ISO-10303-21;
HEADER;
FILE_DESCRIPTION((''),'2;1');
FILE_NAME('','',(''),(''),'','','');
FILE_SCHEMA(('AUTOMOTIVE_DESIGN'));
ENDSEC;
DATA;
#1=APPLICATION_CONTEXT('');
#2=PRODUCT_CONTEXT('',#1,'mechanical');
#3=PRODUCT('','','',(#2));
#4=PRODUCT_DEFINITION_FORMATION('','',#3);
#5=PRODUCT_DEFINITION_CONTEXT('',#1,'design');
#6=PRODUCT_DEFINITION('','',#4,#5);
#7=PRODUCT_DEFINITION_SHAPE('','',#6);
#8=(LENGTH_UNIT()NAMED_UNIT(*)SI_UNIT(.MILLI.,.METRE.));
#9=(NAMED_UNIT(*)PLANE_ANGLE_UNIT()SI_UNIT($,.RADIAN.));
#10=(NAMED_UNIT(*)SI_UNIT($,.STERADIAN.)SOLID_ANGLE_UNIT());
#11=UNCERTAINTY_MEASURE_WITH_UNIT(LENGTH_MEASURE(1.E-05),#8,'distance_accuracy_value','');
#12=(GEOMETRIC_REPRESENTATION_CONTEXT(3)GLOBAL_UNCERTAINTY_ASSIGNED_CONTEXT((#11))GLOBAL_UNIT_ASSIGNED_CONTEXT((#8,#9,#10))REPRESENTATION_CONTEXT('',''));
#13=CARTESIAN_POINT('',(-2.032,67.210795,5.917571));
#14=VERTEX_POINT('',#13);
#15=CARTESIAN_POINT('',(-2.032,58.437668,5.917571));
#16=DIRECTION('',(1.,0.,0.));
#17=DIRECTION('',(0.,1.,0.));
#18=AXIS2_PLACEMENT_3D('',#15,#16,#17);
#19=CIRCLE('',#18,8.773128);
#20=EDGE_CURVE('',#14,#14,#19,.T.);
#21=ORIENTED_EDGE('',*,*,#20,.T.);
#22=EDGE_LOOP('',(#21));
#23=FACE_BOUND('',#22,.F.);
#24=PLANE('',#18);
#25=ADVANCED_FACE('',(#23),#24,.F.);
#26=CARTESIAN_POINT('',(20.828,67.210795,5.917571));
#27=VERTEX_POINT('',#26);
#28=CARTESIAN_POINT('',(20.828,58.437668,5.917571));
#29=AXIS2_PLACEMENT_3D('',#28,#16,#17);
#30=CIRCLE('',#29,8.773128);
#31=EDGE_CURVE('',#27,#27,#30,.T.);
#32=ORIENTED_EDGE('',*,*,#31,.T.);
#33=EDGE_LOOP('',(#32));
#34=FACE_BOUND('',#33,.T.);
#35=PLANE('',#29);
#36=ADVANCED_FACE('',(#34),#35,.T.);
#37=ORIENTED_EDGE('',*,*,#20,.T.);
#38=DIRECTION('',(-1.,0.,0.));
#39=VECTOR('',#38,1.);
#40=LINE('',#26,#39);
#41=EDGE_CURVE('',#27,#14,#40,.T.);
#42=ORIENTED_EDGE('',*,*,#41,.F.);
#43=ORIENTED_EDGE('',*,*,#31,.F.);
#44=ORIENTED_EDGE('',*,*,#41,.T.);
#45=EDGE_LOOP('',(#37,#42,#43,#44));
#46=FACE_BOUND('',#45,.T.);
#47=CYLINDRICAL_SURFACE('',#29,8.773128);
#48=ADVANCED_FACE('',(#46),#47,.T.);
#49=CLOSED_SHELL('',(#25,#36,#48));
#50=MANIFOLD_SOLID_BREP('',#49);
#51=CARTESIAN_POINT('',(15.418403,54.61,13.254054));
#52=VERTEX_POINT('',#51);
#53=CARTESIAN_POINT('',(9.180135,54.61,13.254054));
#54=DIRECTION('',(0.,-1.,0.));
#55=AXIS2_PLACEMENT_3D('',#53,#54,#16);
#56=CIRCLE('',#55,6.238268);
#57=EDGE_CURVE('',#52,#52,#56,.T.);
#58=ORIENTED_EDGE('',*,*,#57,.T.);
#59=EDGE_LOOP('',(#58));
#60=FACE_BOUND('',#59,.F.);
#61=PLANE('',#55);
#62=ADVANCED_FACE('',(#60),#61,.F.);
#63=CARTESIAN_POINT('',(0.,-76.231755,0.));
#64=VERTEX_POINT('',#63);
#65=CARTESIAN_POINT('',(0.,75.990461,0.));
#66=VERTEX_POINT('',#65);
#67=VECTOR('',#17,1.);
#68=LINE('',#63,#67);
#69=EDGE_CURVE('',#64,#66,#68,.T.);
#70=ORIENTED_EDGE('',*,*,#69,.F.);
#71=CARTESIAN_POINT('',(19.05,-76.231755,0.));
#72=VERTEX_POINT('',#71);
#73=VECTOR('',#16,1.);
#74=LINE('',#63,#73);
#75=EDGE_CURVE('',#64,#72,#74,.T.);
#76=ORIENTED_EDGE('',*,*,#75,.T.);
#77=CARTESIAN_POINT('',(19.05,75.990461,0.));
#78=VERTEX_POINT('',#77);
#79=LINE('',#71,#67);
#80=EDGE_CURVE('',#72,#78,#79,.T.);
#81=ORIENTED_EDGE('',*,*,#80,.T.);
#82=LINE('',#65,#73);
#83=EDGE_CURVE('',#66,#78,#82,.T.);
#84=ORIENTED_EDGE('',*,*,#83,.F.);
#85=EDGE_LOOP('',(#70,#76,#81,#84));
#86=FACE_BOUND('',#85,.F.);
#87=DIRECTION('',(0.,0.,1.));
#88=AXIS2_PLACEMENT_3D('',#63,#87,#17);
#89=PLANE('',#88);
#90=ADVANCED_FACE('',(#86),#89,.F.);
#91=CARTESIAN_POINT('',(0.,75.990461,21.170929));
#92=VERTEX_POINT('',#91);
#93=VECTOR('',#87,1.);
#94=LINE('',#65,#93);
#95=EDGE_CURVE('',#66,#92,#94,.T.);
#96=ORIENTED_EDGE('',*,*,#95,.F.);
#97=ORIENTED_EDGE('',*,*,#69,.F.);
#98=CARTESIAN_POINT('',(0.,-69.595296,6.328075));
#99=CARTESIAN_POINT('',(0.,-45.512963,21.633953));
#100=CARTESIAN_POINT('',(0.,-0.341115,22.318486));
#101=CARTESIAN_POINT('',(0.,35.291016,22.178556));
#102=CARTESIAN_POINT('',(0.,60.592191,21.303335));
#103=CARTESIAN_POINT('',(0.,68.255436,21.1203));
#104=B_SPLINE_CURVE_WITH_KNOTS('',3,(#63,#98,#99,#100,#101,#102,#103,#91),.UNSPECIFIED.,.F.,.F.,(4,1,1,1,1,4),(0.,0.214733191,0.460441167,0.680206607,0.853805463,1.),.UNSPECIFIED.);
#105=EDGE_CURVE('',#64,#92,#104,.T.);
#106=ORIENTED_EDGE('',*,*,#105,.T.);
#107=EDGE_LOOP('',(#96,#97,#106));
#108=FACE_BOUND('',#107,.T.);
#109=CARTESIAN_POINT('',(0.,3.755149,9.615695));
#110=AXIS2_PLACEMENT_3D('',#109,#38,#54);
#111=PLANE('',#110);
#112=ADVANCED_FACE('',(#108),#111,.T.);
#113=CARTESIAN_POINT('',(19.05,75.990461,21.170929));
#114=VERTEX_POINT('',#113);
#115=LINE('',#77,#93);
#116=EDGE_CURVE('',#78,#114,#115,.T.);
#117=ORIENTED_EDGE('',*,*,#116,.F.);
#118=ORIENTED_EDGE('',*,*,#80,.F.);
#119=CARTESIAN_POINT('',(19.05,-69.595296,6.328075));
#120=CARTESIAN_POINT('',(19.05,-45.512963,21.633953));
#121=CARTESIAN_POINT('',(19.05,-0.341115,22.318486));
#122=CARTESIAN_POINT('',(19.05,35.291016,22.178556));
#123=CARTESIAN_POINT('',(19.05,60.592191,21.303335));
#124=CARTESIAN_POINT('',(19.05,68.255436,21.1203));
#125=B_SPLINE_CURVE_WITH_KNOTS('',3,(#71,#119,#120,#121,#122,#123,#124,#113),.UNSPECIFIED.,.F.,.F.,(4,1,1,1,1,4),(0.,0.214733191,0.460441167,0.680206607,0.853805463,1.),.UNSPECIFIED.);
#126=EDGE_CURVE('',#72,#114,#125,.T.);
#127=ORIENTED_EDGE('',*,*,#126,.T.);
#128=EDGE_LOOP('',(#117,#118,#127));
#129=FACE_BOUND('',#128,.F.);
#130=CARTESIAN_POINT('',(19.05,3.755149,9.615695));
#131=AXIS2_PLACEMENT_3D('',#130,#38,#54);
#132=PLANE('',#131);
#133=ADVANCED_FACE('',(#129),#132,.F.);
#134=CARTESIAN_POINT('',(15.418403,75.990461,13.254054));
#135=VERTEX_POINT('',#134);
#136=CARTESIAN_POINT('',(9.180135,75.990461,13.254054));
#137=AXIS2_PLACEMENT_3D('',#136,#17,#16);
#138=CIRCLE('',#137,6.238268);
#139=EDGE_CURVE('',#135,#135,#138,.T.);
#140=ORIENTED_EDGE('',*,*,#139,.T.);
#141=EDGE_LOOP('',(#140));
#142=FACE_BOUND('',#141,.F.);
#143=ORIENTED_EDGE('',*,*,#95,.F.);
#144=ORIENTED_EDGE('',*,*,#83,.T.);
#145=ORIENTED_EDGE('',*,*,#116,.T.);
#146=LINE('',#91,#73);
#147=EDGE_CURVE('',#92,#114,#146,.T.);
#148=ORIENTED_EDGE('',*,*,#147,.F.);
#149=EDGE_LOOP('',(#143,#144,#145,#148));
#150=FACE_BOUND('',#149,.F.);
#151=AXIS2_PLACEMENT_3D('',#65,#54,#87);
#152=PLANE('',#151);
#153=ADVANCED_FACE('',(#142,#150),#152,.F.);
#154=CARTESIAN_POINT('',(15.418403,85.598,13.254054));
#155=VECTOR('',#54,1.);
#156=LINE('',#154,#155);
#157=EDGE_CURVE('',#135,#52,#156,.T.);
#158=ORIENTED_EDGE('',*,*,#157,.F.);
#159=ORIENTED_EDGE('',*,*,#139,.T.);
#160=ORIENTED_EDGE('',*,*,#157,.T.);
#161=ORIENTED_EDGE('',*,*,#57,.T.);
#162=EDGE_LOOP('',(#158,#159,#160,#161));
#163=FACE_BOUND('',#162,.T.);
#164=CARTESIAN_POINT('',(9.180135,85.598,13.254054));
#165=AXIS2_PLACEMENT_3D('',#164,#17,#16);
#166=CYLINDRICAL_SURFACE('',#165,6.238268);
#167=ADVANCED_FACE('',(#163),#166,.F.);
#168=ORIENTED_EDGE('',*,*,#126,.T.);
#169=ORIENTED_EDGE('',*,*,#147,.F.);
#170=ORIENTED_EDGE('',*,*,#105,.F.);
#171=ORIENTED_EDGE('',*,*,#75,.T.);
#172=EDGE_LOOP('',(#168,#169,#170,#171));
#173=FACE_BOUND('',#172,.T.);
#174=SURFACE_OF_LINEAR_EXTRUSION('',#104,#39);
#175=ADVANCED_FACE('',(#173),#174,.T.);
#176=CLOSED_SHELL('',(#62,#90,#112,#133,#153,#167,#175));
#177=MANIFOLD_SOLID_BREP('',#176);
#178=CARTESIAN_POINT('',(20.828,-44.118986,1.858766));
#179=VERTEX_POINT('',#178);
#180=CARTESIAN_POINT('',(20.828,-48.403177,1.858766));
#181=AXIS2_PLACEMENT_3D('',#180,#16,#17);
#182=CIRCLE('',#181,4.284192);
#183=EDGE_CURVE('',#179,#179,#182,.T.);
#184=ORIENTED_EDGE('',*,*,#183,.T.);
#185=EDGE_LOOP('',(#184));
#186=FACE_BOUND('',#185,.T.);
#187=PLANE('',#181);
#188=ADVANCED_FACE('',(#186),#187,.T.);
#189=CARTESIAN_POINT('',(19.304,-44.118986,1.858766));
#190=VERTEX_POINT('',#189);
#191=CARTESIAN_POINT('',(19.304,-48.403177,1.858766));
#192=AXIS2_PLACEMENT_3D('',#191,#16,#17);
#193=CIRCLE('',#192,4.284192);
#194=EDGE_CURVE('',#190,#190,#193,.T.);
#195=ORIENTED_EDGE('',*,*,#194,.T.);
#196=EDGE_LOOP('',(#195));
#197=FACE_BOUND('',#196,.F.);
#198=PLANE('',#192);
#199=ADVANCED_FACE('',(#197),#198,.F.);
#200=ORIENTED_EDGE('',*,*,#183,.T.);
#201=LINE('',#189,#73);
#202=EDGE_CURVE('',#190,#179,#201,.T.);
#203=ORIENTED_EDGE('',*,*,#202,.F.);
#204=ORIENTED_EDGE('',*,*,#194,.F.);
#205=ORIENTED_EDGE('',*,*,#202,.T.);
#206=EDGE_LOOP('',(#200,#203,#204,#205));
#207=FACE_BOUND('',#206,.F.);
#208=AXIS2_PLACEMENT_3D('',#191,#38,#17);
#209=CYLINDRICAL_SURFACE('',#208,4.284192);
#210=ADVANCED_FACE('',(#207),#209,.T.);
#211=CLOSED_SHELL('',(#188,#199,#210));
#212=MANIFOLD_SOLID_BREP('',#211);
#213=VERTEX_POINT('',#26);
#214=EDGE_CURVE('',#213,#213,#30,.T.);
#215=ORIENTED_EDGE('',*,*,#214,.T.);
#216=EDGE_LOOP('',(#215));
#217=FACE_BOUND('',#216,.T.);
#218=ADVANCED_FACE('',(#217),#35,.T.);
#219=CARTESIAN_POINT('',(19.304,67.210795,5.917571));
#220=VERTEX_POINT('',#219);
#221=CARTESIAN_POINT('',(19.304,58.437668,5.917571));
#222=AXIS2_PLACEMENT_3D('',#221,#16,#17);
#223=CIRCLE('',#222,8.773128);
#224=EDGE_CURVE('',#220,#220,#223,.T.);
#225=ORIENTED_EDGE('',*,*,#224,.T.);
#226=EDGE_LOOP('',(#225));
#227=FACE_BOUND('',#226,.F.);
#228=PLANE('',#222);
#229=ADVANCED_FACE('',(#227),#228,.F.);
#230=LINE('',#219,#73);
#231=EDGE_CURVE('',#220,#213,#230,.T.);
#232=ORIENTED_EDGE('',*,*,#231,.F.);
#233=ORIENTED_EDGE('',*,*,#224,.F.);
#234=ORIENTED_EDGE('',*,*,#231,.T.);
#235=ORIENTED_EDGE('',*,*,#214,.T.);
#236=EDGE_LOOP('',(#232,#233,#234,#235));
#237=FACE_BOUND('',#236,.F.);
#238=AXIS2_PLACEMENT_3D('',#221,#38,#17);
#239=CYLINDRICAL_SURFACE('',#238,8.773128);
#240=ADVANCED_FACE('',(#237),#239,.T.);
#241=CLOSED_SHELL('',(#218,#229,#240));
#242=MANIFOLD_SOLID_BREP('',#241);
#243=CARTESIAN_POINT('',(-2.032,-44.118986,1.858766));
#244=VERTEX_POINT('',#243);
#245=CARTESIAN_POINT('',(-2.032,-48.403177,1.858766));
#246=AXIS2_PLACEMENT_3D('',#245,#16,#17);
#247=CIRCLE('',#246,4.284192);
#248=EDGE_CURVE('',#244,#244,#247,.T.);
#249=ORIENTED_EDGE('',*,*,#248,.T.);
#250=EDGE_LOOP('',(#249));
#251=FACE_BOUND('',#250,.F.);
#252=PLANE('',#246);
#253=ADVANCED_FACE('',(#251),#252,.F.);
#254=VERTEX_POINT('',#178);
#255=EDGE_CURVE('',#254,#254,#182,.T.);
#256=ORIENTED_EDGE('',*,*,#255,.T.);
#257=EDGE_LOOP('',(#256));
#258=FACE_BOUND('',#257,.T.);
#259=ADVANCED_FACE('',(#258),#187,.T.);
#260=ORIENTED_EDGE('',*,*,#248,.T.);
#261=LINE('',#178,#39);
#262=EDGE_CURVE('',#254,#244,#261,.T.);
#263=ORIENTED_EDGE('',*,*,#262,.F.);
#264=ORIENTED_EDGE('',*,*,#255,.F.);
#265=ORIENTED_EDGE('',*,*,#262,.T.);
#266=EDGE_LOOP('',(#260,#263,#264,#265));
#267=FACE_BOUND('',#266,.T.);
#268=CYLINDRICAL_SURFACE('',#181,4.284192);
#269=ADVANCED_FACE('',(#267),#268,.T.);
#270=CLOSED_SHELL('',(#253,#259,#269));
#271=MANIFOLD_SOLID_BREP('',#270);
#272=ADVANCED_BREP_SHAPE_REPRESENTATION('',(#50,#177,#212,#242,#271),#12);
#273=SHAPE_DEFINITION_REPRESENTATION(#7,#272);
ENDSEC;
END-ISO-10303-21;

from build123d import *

# Parameters (mm, degrees)
F1_DEPTH = 19.05
F3_R     = 6.2382678549
F4_DEPTH = 30.988
F6_R     = 4.2841915503
F7_DEPTH = 1.524
F6_R_2   = 8.7731275046
F8_DEPTH = 22.86


with BuildPart() as f1:
    # F0 (on Right) → F1 (new body)
    with BuildSketch(Plane.YZ):
        with BuildLine():
            add(Edge.make_bspline(
                [(-76.2317553163, 0), (-69.5952960879, 6.3280747123), (-45.5129625615, 21.6339532101), (-0.3411145183, 22.3184860208), (35.2910162242, 22.1785555019), (60.592190821, 21.3033350883), (68.2554357349, 21.1202997935), (75.990460813, 21.1709290743)],
                knots=[0, 0, 0, 0, 0.2147331909, 0.4604411673, 0.6802066075, 0.8538054631, 1, 1, 1, 1], degree=3))
            Line((-76.2317553163, 0), (75.990460813, 0))
            Line((75.990460813, 0), (75.990460813, 21.1709290743))
        make_face()
    extrude(amount=F1_DEPTH)

    # F3 (on offset) → F4 (cut)
    with BuildSketch(Plane.XZ.offset(-85.598)):
        with Locations((9.1801350936, 13.2540538907)):
            Circle(F3_R)
    extrude(amount=F4_DEPTH, mode=Mode.SUBTRACT)


with BuildPart() as f7:
    # F6 (on offset) → F7 (new body)
    with BuildSketch(Plane.YZ.offset(19.304)):
        with Locations((-48.4031774104, 1.8587660743)):
            Circle(F6_R)
    extrude(amount=F7_DEPTH)


with BuildPart() as f7b:
    # F6 (on offset) → F7, piece 2 (new body)
    with BuildSketch(Plane.YZ.offset(19.304)):
        with Locations((58.4376677871, 5.917571485)):
            Circle(F6_R_2)
    extrude(amount=F7_DEPTH)


with BuildPart() as f8:
    # F8 (new): a face of the model
    f8_faces = [f7.part.faces().sort_by_distance(p)[0] for p in [
        (20.828, -48.4031774104, 1.8587660743),
    ]]
    extrude(f8_faces, amount=-F8_DEPTH)


with BuildPart() as f8b:
    # F8#2 (new): a face of the model
    f8_2_faces = [f7b.part.faces().sort_by_distance(p)[0] for p in [
        (20.828, 58.4376677871, 5.917571485),
    ]]
    extrude(f8_2_faces, amount=-F8_DEPTH)


solid = Compound([f1.part, f7.part, f7b.part, f8.part, f8b.part])
